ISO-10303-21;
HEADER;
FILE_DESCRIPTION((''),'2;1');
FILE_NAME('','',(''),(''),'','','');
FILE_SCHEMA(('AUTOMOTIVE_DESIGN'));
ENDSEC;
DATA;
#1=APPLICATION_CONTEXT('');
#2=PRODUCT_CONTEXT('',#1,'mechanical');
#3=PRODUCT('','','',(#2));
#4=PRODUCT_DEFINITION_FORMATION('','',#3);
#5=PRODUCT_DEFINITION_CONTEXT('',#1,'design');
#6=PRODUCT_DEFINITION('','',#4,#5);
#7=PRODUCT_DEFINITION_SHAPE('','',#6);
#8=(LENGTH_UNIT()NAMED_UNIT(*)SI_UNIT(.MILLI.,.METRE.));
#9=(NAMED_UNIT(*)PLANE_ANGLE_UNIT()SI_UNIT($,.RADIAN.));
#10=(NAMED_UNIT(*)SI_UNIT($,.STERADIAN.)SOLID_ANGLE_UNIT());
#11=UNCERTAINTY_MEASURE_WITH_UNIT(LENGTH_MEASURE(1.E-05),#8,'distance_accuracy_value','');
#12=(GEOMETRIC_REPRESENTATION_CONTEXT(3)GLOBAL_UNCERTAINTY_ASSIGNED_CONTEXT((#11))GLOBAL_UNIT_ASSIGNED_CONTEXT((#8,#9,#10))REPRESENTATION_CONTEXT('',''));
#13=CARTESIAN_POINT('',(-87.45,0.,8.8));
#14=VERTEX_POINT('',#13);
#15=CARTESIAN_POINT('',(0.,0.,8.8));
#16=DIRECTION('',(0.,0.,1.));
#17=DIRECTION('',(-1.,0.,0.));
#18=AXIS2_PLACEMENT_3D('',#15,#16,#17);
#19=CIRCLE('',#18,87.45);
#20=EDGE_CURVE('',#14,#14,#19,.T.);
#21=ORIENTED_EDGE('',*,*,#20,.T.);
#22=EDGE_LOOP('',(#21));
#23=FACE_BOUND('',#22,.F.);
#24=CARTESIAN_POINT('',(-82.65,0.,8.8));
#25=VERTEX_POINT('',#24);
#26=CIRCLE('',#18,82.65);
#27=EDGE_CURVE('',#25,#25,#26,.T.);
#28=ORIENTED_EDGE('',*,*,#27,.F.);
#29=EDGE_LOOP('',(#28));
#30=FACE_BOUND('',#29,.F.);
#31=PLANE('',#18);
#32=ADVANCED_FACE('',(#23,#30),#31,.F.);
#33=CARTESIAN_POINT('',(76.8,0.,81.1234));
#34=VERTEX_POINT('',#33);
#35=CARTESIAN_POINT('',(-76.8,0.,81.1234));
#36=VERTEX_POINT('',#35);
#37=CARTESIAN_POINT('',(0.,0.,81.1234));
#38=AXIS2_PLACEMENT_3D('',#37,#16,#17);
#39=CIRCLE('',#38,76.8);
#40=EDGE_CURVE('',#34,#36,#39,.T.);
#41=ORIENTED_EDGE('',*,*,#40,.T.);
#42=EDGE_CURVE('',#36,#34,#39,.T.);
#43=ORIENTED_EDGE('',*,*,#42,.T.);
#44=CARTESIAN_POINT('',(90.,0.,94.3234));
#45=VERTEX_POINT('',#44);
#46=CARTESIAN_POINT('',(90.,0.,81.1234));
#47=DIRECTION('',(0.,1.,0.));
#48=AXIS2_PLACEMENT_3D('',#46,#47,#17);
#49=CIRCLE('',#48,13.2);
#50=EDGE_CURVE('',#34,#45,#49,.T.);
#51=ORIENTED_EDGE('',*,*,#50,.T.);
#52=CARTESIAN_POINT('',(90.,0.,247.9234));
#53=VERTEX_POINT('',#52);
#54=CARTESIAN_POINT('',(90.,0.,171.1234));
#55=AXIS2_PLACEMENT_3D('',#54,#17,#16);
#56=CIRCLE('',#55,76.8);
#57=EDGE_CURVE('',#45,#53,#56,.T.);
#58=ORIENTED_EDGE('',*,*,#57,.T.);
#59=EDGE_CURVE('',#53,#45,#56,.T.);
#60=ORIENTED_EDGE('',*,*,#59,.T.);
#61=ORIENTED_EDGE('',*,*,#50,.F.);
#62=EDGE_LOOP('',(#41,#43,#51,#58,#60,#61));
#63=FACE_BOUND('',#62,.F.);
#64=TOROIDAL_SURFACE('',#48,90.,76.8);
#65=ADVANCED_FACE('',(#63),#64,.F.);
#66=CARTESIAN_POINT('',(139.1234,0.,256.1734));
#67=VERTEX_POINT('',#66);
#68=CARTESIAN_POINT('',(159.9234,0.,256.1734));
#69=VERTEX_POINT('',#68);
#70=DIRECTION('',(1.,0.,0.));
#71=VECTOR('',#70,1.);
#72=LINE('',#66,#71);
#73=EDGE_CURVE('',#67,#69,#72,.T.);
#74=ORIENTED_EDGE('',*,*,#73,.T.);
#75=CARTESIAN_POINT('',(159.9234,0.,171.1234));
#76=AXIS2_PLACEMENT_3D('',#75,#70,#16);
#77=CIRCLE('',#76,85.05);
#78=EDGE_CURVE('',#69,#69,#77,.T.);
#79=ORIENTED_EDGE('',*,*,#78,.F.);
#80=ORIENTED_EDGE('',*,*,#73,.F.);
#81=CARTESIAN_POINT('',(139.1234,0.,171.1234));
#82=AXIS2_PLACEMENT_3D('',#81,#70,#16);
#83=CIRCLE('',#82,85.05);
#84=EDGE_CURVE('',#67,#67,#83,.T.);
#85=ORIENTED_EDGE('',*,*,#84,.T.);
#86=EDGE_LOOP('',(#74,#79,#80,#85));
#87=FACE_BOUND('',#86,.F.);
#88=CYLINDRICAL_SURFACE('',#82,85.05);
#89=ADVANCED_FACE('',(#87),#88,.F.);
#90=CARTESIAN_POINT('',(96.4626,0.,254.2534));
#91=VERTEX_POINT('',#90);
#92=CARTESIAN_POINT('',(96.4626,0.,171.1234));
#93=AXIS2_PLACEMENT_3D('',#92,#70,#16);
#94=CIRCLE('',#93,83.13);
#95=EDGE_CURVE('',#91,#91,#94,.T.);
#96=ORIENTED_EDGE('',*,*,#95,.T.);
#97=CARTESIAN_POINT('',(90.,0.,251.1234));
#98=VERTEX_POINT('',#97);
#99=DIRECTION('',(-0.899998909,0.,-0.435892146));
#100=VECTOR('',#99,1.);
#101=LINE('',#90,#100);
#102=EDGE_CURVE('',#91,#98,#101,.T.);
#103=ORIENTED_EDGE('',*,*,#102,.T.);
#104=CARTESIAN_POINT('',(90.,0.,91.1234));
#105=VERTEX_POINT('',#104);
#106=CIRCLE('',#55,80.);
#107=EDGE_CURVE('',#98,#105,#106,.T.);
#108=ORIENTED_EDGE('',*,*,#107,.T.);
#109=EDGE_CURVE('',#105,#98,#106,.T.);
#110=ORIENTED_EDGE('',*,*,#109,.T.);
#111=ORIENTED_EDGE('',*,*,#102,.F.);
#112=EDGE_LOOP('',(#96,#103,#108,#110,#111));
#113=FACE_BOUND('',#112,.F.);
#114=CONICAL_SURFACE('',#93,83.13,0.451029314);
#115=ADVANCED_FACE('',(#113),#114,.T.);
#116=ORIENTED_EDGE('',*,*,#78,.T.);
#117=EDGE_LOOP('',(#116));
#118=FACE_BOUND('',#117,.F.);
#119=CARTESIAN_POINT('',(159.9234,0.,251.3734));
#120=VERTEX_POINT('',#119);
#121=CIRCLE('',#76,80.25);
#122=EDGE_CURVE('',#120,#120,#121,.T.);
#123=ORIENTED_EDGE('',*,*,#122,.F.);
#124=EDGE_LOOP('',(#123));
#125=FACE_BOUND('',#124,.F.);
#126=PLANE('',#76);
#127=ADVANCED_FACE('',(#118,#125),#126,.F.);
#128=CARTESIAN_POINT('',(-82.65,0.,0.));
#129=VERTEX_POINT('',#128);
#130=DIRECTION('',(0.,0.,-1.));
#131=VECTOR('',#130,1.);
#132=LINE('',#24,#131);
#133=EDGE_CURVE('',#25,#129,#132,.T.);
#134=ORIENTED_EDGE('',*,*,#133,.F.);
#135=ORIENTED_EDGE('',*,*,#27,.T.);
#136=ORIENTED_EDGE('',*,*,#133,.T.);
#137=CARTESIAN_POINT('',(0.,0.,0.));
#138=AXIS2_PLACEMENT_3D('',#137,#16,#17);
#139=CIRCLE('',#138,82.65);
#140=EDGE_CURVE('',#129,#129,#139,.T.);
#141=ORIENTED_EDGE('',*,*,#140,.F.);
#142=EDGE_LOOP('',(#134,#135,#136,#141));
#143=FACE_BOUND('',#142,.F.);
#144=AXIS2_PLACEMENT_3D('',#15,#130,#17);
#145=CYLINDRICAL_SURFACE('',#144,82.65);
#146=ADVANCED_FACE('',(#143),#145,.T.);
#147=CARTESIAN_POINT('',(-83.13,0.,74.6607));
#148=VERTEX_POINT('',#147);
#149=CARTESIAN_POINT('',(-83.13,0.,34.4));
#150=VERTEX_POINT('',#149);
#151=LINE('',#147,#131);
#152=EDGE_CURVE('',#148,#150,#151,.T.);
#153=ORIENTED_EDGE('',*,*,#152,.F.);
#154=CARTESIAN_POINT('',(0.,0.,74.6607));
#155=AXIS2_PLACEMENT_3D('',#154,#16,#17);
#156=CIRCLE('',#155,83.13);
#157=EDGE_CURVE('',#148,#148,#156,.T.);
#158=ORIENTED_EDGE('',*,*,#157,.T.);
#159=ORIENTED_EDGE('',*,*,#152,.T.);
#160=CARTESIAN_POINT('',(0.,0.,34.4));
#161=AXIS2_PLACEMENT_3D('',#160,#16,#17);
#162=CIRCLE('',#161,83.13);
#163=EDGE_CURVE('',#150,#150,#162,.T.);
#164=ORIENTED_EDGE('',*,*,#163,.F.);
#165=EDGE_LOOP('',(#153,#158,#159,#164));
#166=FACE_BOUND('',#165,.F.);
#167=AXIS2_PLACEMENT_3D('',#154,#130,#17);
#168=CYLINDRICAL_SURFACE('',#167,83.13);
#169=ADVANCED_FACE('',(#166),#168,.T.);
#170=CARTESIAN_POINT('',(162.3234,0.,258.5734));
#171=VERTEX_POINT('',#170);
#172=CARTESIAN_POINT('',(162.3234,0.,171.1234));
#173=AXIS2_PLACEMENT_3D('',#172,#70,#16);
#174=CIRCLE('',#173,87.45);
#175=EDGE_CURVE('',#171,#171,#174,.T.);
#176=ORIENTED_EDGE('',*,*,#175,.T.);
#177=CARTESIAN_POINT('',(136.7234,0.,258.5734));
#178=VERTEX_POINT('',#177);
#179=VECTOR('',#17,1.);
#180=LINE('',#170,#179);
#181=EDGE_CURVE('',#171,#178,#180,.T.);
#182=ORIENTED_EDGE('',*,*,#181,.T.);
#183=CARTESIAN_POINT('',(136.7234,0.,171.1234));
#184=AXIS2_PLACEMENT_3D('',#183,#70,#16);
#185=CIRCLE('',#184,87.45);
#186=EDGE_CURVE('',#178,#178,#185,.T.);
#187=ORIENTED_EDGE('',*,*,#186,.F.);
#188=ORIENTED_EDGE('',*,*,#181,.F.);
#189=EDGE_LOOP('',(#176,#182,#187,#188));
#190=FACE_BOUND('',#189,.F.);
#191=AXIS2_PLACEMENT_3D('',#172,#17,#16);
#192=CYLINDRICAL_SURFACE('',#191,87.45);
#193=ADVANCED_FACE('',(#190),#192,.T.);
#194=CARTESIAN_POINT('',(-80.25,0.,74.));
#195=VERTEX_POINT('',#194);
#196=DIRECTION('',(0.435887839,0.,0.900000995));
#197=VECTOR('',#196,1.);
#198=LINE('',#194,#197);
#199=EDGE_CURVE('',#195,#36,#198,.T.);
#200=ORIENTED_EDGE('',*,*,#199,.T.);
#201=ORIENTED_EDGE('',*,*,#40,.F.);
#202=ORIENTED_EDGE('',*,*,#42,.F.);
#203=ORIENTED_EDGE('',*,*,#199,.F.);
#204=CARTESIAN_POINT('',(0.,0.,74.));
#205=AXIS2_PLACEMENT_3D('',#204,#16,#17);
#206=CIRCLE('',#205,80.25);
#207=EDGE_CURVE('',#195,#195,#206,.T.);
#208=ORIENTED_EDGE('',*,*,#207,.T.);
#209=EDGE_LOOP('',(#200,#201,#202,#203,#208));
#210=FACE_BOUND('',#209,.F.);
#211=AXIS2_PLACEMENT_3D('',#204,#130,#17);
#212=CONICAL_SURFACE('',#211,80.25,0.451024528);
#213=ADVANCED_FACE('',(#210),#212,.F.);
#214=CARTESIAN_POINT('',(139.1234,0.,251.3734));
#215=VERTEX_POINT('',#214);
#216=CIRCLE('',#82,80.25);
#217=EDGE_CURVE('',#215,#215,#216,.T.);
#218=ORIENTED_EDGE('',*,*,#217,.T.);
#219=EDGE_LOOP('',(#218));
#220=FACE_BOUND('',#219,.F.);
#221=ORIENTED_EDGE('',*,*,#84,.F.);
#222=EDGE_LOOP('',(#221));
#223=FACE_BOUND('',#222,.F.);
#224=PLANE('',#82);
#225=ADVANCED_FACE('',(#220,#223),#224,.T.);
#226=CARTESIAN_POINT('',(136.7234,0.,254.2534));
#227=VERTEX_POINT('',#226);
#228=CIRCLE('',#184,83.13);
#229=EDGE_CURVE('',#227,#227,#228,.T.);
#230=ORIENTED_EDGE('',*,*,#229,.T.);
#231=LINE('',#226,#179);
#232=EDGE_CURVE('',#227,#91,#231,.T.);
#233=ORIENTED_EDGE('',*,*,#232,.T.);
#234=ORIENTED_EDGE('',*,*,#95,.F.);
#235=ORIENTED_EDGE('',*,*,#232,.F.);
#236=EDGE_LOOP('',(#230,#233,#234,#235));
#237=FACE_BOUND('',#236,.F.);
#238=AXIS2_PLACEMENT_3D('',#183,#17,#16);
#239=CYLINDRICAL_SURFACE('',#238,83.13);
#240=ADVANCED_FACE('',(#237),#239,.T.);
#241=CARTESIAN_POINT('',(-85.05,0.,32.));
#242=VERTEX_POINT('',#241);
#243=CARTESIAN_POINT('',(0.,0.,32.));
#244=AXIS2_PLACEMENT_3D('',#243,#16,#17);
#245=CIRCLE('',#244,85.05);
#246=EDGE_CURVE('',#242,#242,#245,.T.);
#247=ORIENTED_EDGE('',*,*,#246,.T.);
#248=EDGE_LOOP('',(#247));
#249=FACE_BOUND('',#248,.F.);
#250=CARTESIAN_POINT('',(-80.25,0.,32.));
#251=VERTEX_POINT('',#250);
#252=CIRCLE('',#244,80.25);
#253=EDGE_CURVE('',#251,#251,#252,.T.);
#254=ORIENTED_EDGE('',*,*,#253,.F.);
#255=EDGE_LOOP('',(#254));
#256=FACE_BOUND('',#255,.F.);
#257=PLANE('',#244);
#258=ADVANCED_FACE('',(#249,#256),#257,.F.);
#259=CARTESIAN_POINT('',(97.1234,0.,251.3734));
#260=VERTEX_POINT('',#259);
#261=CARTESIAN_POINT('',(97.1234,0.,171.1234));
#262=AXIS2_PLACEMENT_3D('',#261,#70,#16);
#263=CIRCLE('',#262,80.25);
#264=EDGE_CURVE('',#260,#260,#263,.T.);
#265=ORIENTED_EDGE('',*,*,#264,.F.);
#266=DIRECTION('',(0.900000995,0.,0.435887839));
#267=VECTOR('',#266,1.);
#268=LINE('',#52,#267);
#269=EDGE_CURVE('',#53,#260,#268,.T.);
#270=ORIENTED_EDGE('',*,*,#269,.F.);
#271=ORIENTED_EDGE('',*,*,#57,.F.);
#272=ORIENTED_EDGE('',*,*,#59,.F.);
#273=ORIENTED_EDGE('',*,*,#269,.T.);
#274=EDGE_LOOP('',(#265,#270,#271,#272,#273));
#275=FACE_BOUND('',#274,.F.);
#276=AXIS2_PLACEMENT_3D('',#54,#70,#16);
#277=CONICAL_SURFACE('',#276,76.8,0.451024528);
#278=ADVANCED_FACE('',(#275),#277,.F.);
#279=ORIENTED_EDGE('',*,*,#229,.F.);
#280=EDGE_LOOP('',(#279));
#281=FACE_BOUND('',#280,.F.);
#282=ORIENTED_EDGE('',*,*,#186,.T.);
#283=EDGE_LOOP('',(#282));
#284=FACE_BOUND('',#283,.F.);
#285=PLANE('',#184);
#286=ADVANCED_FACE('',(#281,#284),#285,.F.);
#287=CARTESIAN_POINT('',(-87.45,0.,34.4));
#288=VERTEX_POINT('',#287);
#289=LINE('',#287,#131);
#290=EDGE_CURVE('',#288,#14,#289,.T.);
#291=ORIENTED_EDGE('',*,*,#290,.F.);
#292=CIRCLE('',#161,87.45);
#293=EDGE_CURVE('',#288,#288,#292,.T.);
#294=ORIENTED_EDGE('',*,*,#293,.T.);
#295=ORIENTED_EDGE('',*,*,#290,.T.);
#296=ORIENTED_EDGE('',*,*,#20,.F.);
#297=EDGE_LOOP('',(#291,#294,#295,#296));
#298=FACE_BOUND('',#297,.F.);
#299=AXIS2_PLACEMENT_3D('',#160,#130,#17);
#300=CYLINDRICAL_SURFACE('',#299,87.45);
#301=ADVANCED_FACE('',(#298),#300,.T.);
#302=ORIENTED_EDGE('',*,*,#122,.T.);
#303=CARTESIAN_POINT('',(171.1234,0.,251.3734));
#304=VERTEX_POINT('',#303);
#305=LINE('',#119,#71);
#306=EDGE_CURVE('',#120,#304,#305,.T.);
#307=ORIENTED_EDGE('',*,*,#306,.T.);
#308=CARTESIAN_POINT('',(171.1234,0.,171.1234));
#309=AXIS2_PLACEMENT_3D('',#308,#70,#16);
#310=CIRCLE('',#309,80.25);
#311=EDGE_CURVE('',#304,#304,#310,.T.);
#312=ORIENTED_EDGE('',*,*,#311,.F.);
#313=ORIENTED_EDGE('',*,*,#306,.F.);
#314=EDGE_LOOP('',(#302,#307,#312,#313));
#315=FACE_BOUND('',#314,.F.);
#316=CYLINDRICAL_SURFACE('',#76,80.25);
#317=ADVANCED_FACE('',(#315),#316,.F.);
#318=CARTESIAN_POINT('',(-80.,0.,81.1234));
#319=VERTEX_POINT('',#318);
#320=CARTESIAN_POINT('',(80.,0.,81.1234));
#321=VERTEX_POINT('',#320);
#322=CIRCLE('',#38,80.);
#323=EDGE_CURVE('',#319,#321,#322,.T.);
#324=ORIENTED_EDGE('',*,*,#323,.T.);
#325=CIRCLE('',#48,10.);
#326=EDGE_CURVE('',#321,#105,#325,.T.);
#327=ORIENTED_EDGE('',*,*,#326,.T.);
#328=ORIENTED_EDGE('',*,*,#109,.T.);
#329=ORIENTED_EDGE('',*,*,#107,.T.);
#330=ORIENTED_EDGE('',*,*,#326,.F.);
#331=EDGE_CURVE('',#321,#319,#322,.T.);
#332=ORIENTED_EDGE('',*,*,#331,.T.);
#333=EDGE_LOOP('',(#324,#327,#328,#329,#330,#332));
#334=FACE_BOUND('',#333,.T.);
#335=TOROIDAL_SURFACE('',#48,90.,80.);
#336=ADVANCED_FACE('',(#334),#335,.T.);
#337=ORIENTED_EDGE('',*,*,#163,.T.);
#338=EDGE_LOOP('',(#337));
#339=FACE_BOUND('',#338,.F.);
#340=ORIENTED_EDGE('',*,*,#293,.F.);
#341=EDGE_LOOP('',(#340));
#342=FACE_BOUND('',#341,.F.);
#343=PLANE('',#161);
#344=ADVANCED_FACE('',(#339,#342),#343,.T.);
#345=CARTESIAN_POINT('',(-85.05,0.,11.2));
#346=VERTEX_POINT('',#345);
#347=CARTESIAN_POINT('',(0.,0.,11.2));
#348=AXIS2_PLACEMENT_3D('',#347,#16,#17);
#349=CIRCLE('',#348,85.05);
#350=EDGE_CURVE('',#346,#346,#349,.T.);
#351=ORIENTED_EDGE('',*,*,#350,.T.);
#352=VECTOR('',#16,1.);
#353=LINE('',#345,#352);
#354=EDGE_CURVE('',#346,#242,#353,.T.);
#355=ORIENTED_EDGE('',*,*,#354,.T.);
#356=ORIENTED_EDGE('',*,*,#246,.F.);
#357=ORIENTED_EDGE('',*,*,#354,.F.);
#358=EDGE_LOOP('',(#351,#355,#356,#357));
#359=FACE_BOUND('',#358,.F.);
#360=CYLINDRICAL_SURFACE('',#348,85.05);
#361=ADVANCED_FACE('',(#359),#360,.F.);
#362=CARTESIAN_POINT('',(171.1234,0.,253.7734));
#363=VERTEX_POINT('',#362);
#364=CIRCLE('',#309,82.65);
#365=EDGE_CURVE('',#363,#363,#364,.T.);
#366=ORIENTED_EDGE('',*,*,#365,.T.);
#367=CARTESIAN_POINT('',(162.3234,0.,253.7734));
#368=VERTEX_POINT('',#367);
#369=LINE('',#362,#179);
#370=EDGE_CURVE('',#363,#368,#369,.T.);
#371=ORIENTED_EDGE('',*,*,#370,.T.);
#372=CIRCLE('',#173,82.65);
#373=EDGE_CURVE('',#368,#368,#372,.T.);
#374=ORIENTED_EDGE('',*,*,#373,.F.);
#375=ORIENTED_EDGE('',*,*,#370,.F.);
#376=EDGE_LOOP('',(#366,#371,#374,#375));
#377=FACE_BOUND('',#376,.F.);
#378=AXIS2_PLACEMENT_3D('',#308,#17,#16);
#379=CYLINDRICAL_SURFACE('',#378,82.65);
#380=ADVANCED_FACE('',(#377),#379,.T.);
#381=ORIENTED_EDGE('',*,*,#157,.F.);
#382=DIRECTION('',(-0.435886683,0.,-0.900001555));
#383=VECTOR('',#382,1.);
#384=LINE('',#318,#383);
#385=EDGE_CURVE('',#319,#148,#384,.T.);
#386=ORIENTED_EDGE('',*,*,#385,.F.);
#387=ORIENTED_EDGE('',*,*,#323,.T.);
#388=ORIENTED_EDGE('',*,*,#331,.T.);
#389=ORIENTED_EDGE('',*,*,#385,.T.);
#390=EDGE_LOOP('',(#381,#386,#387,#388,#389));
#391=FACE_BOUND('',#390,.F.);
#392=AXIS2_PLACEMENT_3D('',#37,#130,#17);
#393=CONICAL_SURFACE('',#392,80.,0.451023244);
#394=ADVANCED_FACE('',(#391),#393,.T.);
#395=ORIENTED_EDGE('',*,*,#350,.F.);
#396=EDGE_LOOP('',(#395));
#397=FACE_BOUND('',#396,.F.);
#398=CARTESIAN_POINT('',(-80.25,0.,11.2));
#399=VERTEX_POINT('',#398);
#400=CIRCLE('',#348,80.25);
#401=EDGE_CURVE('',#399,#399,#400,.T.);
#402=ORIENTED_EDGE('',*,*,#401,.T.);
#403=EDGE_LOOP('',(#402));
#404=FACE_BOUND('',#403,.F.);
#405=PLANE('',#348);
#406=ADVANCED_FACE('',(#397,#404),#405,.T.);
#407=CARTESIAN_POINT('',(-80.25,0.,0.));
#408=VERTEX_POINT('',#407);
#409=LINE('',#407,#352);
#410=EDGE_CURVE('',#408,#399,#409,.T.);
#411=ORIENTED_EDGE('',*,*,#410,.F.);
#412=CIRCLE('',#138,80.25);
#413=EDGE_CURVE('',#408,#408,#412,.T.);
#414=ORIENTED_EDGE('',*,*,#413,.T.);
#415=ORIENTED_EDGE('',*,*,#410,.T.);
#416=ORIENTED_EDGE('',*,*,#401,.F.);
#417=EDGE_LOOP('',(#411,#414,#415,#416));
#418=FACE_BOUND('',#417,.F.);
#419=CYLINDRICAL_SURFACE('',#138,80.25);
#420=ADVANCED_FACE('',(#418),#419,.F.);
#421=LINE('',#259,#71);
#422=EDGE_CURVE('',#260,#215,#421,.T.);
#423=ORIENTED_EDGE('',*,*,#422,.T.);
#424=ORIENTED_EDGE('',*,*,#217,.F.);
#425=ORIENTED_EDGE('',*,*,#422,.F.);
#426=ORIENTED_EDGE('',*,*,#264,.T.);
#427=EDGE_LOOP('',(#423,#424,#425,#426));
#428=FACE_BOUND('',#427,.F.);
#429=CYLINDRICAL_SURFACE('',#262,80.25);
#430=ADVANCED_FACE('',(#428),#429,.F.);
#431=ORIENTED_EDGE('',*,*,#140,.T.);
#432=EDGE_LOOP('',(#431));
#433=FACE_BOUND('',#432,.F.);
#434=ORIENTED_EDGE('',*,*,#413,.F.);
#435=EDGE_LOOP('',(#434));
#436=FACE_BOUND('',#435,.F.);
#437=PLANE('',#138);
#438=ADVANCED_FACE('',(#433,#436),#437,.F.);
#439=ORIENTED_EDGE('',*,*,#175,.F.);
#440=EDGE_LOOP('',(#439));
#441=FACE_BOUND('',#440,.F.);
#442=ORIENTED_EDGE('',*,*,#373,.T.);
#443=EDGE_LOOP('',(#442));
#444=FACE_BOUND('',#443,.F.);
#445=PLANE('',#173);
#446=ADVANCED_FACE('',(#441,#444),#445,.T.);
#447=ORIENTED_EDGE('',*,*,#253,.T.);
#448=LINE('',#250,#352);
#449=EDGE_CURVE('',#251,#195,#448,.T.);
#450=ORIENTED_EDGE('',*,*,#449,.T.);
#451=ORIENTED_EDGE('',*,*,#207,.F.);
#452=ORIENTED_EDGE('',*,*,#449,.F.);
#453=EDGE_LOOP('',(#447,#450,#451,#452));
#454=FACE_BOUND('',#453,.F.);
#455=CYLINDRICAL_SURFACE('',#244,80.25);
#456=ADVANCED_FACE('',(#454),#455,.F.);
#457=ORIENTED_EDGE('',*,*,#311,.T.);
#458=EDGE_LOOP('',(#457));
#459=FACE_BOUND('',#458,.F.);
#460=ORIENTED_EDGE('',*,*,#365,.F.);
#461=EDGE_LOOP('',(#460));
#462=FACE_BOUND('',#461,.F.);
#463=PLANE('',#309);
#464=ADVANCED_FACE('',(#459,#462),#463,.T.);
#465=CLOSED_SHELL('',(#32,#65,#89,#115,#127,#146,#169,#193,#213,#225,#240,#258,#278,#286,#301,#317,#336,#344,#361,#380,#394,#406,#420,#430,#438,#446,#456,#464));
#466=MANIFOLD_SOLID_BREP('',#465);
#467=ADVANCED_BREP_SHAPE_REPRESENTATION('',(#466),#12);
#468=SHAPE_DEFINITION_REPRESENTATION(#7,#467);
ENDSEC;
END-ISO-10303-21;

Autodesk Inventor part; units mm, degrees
ref_plane "YZ Plane" through (0, 0, 0) normal (1, 0, 0) x (0, 1, 0)
ref_plane "XZ Plane" through (0, 0, 0) normal (0, 1, 0) x (-1, 0, 0)
ref_plane "XY Plane" through (0, 0, 0) normal (0, 0, 1) x (1, 0, 0)
sketch "Sketch1" plane through (0, 0, 0) normal (0, 1, 0) x (-1, 0, 0)
  line L0 (0, 0) -> (0, 81.1234)
  line L1 (76.8, 81.1234) -> (80, 81.1234)
  line L2 (0, 81.1234) -> (76.8, 81.1234) construction
  line L3 (80, 81.1234) -> (83.13, 74.6607)
  line L4 (83.13, 34.4) -> (87.45, 34.4)
  line L5 (87.45, 34.4) -> (87.45, 8.8)
  line L6 (87.45, 8.8) -> (82.65, 8.8)
  line L7 (82.65, 8.8) -> (82.65, 0)
  line L8 (82.65, 0) -> (80.25, 0)
  line L9 (80.25, 0) -> (80.25, 11.2)
  line L10 (80.25, 11.2) -> (85.05, 11.2)
  line L11 (85.05, 11.2) -> (85.05, 32)
  line L12 (85.05, 32) -> (80.25, 32)
  line L13 (80.25, 32) -> (80.25, 74)
  line L14 (80.25, 74) -> (76.8, 81.1234)
  line L15 (80.25, 0) -> (0, 0) construction
  line L16 (83.13, 74.6607) -> (83.13, 34.4)
  line L17 (0, 81.1234) -> (0, 171.1234) construction
  line L18 (0, 171.1234) -> (-90, 171.1234) construction
  line L19 (-90, 171.1234) -> (-171.1234, 171.1234) construction
  line L20 (-171.1234, 171.1234) -> (-171.1234, 251.3734) construction
  line L21 (-171.1234, 251.3734) -> (-171.1234, 253.7734)
  line L22 (-171.1234, 253.7734) -> (-162.3234, 253.7734)
  line L23 (-162.3234, 253.7734) -> (-162.3234, 258.5734)
  line L24 (-162.3234, 258.5734) -> (-136.7234, 258.5734)
  line L25 (-136.7234, 258.5734) -> (-136.7234, 254.2534)
  line L26 (-136.7234, 254.2534) -> (-96.4626, 254.2534)
  line L27 (-96.4626, 254.2534) -> (-90, 251.1234)
  line L28 (-90, 251.1234) -> (-90, 247.9234)
  line L29 (-90, 247.9234) -> (-97.1234, 251.3734)
  line L30 (-97.1234, 251.3734) -> (-139.1234, 251.3734)
  line L31 (-139.1234, 251.3734) -> (-139.1234, 256.1734)
  line L32 (-139.1234, 256.1734) -> (-159.9234, 256.1734)
  line L33 (-159.9234, 256.1734) -> (-159.9234, 251.3734)
  line L34 (-159.9234, 251.3734) -> (-171.1234, 251.3734)
  line L35 (-90, 247.9234) -> (-90, 171.1234) construction
  line L36 (80.25, 74) -> (0, 74) construction
  line L37 (-97.1234, 251.3734) -> (-97.1234, 171.1234) construction
  dimension "d0" = 2.4
  dimension "d1" = 2.4
  dimension "d2" = 2.4
  dimension "d4" = 2.88
  dimension "d5" = 2.4
  dimension "d6" = 7.2
  dimension "d7" = 160.5
  dimension "d8" = 32
  dimension "d9" = 42
  dimension "d11" = 11.2
  dimension "d12" = 160
  dimension "d13" = 3.2
  dimension "d14" = 2.88
  dimension "d17" = 160.5
  dimension "d18" = 2.4
  dimension "d19" = 2.4
  dimension "d20" = 2.4
  dimension "d21" = 2.4
  dimension "d22" = 4.8
  dimension "d23" = 2.88
  dimension "d24" = 3.2
  dimension "d25" = 160
  dimension "d26" = 11.2
  dimension "d27" = 32
  dimension "d28" = 42
  dimension "d29" = 90
  dimension "d30" = 90
  dimension "d31" = 2.88
revolve "Revolution1" add sketch "Sketch1" angle 360 about axis through (0, 0, 0) along (0, 0, 1) contours L1 L3 L16 L4 L5 L6 L7 L8 L9 L10 L11 L12 L13 L14
sketch "Sketch2" plane through (0, 0, 81.1234) normal (0, 0, 1) x (1, 0, 0)
  circle A0 centre (0, 0) radius 80 projected
  circle A1 centre (0, 0) radius 80
  circle A2 centre (0, 0) radius 76.8
  circle A3 centre (0, 0) radius 76.8 projected
sketch "Sketch3" plane through (0, 0, 0) normal (0, 1, 0) x (-1, 0, 0)
  line L0 (-80, 81.1234) -> (80, 81.1234) projected
  line L1 (0, 81.1234) -> (0, 171.1234) construction
  line L2 (0, 171.1234) -> (-90, 171.1234) construction
  arc A0 (0, 81.1234) -> (-90, 171.1234) centre (-90, 81.1234) ccw
  dimension "d15" = 90
  dimension "d16" = 90
sweep "Sweep1" add profiles "Sketch2" path "Sketch3" path curves A0
revolve "Revolution2" add sketch "Sketch1" angle 360 about axis through (90, 0, 171.1234) along (1, 0, 0) contours L21 L22 L23 L24 L25 L26 L27 L28 L29 L30 L31 L32 L33 L34
equation "\"d0\" = e3"
equation "\"d1\" = e3"
equation "\"d2\" = e3"
equation "\"d4\" = e2"
equation "\"d5\" = e3"
equation "\"d6\" = 3 * e3"
equation "\"d7\" = Ds"
equation "\"d8\" = C1"
equation "\"d9\" = A"
equation "\"d11\" = 0.35 * C1"
equation "\"d12\" = De"
equation "\"d13\" = e"
equation "\"d14\" = e2"
equation "\"d17\" = Ds"
equation "\"d18\" = e3"
equation "\"d19\" = e3"
equation "\"d20\" = e3"
equation "\"d21\" = e3"
equation "\"d22\" = 2 * e3"
equation "\"d23\" = e2"
equation "\"d24\" = e"
equation "\"d25\" = De"
equation "\"d26\" = 0.35 * C1"
equation "\"d27\" = C1"
equation "\"d28\" = A"
equation "\"d29\" = z"
equation "\"d30\" = z"
equation "\"d31\" = e2"
equation "\"d15\" = z"
equation "\"d16\" = z"
equation "\"z\" = 90"
equation "\"De\" = 160"
equation "\"e\" = 3.2"
equation "\"Ds\" = 160.5"
equation "\"e2\" = 0.9 * e"
equation "\"C1\" = 32"
equation "\"e3\" = 0.75 * e"
equation "\"A\" = 42"
equation "\"Size_Designation\" = 1.2345"
properties part number "ISO 3633 90 Deg Bend with Only Sockets for Elastormeric Sealing Ring Joints DN160" material "PVC, Unplasticized"
